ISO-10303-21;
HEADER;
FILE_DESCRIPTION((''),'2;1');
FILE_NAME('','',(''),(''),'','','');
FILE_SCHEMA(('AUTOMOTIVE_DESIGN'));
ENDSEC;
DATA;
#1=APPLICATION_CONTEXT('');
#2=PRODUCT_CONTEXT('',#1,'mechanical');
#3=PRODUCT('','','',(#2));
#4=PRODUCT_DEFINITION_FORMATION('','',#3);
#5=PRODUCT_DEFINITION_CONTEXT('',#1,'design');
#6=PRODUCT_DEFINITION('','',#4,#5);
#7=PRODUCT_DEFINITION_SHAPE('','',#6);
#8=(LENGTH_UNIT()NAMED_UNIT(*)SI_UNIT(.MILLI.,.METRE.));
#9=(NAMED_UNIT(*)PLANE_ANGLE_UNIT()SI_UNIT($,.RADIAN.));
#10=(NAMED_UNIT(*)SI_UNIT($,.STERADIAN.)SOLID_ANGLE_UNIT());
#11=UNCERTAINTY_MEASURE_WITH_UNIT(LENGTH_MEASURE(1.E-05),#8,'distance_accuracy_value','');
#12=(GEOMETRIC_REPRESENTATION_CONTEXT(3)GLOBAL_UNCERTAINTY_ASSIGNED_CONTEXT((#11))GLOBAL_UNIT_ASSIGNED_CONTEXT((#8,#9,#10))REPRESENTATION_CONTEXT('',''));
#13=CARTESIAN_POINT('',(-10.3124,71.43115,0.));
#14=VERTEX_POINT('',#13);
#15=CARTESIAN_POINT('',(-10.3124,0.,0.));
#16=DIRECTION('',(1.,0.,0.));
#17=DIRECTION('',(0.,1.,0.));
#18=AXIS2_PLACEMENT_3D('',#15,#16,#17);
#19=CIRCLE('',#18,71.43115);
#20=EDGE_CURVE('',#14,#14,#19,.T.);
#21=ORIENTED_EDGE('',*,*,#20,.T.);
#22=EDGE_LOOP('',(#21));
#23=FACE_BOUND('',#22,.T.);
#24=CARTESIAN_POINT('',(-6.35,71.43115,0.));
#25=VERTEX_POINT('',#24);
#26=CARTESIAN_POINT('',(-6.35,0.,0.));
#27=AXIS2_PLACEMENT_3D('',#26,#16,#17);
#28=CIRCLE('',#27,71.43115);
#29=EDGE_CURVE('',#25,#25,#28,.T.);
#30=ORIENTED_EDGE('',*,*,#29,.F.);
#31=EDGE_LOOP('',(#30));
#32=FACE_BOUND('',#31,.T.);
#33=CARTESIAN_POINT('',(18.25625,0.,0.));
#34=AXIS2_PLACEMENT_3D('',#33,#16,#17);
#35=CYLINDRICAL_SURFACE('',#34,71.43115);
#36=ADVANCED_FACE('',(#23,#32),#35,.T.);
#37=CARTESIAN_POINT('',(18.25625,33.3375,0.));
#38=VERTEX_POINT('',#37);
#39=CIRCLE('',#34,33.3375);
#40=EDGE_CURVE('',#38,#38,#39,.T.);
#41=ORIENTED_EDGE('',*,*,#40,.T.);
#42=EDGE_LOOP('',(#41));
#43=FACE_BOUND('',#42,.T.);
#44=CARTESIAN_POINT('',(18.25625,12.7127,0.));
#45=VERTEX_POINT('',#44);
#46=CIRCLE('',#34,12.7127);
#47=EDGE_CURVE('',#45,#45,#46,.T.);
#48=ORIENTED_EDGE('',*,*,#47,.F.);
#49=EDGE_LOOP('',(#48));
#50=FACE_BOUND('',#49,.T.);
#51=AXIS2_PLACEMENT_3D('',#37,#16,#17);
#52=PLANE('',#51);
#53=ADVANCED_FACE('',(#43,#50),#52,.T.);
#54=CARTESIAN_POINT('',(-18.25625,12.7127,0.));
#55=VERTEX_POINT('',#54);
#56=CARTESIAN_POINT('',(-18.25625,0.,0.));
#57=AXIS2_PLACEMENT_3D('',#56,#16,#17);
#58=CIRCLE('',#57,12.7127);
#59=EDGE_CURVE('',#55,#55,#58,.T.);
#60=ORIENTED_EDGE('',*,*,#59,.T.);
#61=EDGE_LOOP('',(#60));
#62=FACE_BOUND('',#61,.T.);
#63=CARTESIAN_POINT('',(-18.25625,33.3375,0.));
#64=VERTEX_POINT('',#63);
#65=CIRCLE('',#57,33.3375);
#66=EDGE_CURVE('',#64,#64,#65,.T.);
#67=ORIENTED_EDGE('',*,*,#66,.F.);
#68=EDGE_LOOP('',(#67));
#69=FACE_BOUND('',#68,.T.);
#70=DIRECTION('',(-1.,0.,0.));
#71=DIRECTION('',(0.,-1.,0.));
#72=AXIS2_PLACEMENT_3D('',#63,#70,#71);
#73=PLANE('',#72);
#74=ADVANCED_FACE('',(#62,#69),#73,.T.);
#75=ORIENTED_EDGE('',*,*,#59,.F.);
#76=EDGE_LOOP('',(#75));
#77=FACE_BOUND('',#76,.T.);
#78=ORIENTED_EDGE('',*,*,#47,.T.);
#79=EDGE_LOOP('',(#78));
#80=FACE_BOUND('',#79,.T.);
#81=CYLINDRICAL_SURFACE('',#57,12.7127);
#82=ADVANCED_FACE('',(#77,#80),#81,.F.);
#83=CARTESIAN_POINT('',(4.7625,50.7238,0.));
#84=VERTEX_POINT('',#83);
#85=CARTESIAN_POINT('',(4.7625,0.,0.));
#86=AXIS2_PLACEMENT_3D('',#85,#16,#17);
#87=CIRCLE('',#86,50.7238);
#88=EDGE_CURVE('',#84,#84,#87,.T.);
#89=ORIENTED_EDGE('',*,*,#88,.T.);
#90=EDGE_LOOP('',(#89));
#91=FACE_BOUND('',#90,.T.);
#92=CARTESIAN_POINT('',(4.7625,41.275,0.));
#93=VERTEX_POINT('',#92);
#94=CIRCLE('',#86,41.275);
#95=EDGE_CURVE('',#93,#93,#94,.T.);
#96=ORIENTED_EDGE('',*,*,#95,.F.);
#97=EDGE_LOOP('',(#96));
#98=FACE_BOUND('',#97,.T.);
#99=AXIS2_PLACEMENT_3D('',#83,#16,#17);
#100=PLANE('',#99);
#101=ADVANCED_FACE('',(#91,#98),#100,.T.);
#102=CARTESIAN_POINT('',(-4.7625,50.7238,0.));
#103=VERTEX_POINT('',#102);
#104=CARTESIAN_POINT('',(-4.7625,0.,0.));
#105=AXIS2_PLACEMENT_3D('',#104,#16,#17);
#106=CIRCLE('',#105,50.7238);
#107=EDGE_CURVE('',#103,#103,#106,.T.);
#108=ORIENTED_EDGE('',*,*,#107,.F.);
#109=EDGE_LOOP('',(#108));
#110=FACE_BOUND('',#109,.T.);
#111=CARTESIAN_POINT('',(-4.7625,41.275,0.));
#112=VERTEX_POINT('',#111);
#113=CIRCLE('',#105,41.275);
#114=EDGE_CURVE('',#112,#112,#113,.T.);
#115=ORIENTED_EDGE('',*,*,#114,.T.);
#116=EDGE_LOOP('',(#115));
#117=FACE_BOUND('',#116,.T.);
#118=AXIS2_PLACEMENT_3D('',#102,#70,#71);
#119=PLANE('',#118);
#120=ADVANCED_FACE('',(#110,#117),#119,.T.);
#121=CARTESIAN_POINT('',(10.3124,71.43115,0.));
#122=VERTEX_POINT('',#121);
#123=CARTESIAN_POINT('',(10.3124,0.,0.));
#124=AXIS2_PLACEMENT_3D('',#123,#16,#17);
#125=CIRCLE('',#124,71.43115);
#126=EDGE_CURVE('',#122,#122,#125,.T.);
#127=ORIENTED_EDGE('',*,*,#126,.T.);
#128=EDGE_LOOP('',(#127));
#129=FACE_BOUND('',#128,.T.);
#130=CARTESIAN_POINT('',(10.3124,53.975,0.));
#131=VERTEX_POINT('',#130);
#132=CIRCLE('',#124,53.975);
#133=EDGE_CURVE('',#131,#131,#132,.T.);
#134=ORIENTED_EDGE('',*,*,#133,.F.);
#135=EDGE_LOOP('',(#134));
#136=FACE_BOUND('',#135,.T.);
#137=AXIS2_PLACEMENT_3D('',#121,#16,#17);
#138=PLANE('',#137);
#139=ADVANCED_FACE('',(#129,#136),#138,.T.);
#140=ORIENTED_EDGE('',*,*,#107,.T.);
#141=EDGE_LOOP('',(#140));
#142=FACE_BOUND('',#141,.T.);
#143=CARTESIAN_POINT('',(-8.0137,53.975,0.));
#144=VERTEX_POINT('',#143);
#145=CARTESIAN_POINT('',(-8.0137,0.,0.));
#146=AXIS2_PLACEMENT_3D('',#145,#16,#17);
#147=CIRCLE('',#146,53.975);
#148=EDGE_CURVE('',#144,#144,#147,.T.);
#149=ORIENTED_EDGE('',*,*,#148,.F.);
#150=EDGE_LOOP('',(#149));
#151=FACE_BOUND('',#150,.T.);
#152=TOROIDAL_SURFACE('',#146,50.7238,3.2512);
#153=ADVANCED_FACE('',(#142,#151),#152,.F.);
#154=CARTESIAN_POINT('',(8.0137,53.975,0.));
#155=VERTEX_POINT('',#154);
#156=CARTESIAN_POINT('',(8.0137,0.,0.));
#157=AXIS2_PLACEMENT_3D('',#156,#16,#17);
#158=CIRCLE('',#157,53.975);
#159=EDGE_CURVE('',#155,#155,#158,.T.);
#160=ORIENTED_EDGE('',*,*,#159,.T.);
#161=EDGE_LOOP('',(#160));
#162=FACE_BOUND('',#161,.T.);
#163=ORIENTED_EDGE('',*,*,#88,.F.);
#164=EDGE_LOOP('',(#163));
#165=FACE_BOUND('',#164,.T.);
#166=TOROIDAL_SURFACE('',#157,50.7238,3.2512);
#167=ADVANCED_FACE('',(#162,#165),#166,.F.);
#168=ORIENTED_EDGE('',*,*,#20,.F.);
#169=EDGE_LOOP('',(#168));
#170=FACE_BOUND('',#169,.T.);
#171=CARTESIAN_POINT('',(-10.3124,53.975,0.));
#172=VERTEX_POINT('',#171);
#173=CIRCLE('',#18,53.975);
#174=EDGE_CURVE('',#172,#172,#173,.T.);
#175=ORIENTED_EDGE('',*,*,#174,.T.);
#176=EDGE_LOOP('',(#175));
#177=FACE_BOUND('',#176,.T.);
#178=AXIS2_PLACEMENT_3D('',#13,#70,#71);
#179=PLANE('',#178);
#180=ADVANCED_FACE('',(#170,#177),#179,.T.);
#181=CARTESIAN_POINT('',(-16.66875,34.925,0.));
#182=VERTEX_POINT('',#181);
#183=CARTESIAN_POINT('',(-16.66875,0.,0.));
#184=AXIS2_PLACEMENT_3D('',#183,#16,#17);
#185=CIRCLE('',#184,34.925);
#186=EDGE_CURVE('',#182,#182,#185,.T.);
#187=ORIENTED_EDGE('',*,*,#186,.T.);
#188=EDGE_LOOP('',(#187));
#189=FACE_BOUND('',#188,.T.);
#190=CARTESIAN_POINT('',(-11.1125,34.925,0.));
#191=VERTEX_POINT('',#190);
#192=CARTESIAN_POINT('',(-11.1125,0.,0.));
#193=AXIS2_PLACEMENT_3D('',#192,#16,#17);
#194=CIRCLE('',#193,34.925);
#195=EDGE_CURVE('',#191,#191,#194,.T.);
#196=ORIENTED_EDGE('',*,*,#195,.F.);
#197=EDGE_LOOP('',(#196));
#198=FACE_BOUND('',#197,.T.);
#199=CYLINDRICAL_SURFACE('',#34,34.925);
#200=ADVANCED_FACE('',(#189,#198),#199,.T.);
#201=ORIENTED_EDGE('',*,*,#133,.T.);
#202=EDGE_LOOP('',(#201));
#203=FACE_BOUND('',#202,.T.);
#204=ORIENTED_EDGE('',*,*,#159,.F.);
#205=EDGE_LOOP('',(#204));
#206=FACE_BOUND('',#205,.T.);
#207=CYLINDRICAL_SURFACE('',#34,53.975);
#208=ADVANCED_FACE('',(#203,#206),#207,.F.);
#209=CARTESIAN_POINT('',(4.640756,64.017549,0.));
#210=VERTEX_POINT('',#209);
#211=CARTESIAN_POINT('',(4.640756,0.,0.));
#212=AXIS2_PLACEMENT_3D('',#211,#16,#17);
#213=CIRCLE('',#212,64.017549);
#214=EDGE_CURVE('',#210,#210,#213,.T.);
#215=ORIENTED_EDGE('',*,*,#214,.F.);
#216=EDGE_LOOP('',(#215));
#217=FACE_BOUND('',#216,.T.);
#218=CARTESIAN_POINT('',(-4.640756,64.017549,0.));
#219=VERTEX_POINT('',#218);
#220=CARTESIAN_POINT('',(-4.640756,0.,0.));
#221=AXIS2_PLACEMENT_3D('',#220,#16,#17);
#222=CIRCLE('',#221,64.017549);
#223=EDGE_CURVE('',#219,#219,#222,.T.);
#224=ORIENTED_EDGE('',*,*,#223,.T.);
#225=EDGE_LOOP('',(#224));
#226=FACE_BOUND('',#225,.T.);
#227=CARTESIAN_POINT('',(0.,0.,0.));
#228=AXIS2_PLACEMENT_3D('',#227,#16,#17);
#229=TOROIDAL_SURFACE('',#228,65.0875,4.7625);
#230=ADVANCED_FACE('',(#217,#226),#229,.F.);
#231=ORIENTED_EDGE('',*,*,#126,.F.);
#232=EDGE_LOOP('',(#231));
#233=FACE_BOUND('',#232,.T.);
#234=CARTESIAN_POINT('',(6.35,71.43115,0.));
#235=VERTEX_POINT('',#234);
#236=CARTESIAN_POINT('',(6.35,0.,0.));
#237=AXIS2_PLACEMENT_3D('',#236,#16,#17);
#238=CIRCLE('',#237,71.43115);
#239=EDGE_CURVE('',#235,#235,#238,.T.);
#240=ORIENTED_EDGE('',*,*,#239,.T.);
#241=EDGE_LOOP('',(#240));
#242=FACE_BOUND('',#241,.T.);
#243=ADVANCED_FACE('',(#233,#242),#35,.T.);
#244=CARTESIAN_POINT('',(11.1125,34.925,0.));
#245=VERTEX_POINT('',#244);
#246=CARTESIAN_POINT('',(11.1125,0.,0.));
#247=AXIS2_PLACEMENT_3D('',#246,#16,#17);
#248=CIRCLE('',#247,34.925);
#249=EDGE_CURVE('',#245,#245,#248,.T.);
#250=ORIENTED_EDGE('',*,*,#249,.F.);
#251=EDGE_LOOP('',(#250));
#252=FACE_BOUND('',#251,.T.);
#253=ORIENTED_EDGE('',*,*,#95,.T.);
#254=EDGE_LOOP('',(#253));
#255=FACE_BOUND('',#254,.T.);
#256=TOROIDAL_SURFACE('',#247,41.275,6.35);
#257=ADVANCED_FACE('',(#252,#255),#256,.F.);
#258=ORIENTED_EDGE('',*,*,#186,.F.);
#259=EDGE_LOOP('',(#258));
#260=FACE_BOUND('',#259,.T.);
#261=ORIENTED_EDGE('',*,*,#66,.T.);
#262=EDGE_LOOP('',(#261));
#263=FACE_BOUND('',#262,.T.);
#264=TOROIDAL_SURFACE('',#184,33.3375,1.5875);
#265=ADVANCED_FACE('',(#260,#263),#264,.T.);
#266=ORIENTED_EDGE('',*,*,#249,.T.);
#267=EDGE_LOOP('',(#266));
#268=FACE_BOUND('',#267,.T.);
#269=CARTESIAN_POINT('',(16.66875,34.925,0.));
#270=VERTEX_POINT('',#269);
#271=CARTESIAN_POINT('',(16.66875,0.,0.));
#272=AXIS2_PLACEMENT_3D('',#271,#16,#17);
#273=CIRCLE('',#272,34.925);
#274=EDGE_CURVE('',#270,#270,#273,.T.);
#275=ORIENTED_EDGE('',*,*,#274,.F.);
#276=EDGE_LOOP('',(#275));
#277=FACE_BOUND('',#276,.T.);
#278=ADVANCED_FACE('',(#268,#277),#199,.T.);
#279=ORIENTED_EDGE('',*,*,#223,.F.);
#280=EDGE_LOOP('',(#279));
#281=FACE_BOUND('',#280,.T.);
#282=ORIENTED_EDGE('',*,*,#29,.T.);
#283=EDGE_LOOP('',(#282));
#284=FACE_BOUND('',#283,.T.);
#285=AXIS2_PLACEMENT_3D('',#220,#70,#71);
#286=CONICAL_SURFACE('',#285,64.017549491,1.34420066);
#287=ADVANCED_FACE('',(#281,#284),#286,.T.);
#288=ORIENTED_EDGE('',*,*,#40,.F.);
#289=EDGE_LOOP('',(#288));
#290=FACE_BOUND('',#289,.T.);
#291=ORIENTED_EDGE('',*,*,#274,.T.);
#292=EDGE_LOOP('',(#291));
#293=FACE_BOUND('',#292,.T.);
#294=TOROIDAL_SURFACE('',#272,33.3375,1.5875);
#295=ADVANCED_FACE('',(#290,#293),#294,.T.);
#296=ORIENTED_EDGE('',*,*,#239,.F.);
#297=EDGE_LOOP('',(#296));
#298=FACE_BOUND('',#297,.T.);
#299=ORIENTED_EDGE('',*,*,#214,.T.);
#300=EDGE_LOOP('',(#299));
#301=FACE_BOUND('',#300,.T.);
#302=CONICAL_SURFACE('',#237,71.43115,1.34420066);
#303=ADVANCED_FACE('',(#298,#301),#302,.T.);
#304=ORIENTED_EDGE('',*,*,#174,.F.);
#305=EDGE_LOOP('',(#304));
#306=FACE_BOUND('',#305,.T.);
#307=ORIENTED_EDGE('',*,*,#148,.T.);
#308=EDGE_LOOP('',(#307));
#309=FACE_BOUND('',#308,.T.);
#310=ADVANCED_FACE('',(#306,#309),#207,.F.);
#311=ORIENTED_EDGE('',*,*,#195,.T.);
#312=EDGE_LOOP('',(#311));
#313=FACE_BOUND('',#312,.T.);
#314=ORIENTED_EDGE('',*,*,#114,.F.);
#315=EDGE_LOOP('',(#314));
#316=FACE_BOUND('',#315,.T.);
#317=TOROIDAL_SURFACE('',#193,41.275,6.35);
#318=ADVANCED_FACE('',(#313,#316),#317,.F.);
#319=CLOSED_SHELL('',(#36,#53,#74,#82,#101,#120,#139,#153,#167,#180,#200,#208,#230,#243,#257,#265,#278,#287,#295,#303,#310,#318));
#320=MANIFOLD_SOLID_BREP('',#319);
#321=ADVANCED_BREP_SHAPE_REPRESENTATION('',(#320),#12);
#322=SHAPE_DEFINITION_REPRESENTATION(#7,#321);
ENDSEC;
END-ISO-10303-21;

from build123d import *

# Parameters (mm, degrees)
SKETCH2_R          = 12.7127
CUT_EXTRUDE1_DEPTH = 37.5125


with BuildPart() as part:
    # Sketch1 → Revolve1 (revolve)
    with BuildSketch(Plane.XY):
        with BuildLine():
            Line((18.25625, 0), (-18.25625, 0))
            Line((-18.25625, 0), (-18.25625, 33.3375))
            ThreePointArc((-18.25625, 33.3375), (-17.791282015, 34.460032015), (-16.66875, 34.925))
            Line((-16.66875, 34.925), (-11.1125, 34.925))
            ThreePointArc((-11.1125, 34.925), (-6.622371939, 36.784871939), (-4.7625, 41.275))
            Line((-4.7625, 41.275), (-4.7625, 50.7238))
            ThreePointArc((-4.7625, 50.7238), (-5.714754433, 53.022745567), (-8.0137, 53.975))
            Line((-8.0137, 53.975), (-10.3124, 53.975))
            Line((-10.3124, 53.975), (-10.3124, 71.43115))
            Line((-10.3124, 71.43115), (-6.35, 71.43115))
            Line((-6.35, 71.43115), (-4.640755559, 64.017549491))
            ThreePointArc((-4.640755559, 64.017549491), (0, 60.325), (4.640755559, 64.017549491))
            Line((4.640755559, 64.017549491), (6.35, 71.43115))
            Line((6.35, 71.43115), (10.3124, 71.43115))
            Line((10.3124, 71.43115), (10.3124, 53.975))
            Line((10.3124, 53.975), (8.0137, 53.975))
            ThreePointArc((8.0137, 53.975), (5.714754433, 53.022745567), (4.7625, 50.7238))
            Line((4.7625, 50.7238), (4.7625, 41.275))
            ThreePointArc((4.7625, 41.275), (6.622371939, 36.784871939), (11.1125, 34.925))
            Line((11.1125, 34.925), (16.66875, 34.925))
            ThreePointArc((16.66875, 34.925), (17.791282015, 34.460032015), (18.25625, 33.3375))
            Line((18.25625, 33.3375), (18.25625, 0))
        make_face()
    revolve(axis=Axis((18.25625, 0, 0), (-1, 0, 0)))

    # Sketch2 → Cut-Extrude1 (cut, through all)
    with BuildSketch(Plane(origin=(18.25625, 0, 0), x_dir=(0, 0, -1), z_dir=(1, 0, 0))):
        with Locations(Location((0, 0, 0), (0, 0, 90))):  # turned: the seam where the file's is
            Circle(SKETCH2_R)
    extrude(amount=-CUT_EXTRUDE1_DEPTH, mode=Mode.SUBTRACT)


solid = part.part
